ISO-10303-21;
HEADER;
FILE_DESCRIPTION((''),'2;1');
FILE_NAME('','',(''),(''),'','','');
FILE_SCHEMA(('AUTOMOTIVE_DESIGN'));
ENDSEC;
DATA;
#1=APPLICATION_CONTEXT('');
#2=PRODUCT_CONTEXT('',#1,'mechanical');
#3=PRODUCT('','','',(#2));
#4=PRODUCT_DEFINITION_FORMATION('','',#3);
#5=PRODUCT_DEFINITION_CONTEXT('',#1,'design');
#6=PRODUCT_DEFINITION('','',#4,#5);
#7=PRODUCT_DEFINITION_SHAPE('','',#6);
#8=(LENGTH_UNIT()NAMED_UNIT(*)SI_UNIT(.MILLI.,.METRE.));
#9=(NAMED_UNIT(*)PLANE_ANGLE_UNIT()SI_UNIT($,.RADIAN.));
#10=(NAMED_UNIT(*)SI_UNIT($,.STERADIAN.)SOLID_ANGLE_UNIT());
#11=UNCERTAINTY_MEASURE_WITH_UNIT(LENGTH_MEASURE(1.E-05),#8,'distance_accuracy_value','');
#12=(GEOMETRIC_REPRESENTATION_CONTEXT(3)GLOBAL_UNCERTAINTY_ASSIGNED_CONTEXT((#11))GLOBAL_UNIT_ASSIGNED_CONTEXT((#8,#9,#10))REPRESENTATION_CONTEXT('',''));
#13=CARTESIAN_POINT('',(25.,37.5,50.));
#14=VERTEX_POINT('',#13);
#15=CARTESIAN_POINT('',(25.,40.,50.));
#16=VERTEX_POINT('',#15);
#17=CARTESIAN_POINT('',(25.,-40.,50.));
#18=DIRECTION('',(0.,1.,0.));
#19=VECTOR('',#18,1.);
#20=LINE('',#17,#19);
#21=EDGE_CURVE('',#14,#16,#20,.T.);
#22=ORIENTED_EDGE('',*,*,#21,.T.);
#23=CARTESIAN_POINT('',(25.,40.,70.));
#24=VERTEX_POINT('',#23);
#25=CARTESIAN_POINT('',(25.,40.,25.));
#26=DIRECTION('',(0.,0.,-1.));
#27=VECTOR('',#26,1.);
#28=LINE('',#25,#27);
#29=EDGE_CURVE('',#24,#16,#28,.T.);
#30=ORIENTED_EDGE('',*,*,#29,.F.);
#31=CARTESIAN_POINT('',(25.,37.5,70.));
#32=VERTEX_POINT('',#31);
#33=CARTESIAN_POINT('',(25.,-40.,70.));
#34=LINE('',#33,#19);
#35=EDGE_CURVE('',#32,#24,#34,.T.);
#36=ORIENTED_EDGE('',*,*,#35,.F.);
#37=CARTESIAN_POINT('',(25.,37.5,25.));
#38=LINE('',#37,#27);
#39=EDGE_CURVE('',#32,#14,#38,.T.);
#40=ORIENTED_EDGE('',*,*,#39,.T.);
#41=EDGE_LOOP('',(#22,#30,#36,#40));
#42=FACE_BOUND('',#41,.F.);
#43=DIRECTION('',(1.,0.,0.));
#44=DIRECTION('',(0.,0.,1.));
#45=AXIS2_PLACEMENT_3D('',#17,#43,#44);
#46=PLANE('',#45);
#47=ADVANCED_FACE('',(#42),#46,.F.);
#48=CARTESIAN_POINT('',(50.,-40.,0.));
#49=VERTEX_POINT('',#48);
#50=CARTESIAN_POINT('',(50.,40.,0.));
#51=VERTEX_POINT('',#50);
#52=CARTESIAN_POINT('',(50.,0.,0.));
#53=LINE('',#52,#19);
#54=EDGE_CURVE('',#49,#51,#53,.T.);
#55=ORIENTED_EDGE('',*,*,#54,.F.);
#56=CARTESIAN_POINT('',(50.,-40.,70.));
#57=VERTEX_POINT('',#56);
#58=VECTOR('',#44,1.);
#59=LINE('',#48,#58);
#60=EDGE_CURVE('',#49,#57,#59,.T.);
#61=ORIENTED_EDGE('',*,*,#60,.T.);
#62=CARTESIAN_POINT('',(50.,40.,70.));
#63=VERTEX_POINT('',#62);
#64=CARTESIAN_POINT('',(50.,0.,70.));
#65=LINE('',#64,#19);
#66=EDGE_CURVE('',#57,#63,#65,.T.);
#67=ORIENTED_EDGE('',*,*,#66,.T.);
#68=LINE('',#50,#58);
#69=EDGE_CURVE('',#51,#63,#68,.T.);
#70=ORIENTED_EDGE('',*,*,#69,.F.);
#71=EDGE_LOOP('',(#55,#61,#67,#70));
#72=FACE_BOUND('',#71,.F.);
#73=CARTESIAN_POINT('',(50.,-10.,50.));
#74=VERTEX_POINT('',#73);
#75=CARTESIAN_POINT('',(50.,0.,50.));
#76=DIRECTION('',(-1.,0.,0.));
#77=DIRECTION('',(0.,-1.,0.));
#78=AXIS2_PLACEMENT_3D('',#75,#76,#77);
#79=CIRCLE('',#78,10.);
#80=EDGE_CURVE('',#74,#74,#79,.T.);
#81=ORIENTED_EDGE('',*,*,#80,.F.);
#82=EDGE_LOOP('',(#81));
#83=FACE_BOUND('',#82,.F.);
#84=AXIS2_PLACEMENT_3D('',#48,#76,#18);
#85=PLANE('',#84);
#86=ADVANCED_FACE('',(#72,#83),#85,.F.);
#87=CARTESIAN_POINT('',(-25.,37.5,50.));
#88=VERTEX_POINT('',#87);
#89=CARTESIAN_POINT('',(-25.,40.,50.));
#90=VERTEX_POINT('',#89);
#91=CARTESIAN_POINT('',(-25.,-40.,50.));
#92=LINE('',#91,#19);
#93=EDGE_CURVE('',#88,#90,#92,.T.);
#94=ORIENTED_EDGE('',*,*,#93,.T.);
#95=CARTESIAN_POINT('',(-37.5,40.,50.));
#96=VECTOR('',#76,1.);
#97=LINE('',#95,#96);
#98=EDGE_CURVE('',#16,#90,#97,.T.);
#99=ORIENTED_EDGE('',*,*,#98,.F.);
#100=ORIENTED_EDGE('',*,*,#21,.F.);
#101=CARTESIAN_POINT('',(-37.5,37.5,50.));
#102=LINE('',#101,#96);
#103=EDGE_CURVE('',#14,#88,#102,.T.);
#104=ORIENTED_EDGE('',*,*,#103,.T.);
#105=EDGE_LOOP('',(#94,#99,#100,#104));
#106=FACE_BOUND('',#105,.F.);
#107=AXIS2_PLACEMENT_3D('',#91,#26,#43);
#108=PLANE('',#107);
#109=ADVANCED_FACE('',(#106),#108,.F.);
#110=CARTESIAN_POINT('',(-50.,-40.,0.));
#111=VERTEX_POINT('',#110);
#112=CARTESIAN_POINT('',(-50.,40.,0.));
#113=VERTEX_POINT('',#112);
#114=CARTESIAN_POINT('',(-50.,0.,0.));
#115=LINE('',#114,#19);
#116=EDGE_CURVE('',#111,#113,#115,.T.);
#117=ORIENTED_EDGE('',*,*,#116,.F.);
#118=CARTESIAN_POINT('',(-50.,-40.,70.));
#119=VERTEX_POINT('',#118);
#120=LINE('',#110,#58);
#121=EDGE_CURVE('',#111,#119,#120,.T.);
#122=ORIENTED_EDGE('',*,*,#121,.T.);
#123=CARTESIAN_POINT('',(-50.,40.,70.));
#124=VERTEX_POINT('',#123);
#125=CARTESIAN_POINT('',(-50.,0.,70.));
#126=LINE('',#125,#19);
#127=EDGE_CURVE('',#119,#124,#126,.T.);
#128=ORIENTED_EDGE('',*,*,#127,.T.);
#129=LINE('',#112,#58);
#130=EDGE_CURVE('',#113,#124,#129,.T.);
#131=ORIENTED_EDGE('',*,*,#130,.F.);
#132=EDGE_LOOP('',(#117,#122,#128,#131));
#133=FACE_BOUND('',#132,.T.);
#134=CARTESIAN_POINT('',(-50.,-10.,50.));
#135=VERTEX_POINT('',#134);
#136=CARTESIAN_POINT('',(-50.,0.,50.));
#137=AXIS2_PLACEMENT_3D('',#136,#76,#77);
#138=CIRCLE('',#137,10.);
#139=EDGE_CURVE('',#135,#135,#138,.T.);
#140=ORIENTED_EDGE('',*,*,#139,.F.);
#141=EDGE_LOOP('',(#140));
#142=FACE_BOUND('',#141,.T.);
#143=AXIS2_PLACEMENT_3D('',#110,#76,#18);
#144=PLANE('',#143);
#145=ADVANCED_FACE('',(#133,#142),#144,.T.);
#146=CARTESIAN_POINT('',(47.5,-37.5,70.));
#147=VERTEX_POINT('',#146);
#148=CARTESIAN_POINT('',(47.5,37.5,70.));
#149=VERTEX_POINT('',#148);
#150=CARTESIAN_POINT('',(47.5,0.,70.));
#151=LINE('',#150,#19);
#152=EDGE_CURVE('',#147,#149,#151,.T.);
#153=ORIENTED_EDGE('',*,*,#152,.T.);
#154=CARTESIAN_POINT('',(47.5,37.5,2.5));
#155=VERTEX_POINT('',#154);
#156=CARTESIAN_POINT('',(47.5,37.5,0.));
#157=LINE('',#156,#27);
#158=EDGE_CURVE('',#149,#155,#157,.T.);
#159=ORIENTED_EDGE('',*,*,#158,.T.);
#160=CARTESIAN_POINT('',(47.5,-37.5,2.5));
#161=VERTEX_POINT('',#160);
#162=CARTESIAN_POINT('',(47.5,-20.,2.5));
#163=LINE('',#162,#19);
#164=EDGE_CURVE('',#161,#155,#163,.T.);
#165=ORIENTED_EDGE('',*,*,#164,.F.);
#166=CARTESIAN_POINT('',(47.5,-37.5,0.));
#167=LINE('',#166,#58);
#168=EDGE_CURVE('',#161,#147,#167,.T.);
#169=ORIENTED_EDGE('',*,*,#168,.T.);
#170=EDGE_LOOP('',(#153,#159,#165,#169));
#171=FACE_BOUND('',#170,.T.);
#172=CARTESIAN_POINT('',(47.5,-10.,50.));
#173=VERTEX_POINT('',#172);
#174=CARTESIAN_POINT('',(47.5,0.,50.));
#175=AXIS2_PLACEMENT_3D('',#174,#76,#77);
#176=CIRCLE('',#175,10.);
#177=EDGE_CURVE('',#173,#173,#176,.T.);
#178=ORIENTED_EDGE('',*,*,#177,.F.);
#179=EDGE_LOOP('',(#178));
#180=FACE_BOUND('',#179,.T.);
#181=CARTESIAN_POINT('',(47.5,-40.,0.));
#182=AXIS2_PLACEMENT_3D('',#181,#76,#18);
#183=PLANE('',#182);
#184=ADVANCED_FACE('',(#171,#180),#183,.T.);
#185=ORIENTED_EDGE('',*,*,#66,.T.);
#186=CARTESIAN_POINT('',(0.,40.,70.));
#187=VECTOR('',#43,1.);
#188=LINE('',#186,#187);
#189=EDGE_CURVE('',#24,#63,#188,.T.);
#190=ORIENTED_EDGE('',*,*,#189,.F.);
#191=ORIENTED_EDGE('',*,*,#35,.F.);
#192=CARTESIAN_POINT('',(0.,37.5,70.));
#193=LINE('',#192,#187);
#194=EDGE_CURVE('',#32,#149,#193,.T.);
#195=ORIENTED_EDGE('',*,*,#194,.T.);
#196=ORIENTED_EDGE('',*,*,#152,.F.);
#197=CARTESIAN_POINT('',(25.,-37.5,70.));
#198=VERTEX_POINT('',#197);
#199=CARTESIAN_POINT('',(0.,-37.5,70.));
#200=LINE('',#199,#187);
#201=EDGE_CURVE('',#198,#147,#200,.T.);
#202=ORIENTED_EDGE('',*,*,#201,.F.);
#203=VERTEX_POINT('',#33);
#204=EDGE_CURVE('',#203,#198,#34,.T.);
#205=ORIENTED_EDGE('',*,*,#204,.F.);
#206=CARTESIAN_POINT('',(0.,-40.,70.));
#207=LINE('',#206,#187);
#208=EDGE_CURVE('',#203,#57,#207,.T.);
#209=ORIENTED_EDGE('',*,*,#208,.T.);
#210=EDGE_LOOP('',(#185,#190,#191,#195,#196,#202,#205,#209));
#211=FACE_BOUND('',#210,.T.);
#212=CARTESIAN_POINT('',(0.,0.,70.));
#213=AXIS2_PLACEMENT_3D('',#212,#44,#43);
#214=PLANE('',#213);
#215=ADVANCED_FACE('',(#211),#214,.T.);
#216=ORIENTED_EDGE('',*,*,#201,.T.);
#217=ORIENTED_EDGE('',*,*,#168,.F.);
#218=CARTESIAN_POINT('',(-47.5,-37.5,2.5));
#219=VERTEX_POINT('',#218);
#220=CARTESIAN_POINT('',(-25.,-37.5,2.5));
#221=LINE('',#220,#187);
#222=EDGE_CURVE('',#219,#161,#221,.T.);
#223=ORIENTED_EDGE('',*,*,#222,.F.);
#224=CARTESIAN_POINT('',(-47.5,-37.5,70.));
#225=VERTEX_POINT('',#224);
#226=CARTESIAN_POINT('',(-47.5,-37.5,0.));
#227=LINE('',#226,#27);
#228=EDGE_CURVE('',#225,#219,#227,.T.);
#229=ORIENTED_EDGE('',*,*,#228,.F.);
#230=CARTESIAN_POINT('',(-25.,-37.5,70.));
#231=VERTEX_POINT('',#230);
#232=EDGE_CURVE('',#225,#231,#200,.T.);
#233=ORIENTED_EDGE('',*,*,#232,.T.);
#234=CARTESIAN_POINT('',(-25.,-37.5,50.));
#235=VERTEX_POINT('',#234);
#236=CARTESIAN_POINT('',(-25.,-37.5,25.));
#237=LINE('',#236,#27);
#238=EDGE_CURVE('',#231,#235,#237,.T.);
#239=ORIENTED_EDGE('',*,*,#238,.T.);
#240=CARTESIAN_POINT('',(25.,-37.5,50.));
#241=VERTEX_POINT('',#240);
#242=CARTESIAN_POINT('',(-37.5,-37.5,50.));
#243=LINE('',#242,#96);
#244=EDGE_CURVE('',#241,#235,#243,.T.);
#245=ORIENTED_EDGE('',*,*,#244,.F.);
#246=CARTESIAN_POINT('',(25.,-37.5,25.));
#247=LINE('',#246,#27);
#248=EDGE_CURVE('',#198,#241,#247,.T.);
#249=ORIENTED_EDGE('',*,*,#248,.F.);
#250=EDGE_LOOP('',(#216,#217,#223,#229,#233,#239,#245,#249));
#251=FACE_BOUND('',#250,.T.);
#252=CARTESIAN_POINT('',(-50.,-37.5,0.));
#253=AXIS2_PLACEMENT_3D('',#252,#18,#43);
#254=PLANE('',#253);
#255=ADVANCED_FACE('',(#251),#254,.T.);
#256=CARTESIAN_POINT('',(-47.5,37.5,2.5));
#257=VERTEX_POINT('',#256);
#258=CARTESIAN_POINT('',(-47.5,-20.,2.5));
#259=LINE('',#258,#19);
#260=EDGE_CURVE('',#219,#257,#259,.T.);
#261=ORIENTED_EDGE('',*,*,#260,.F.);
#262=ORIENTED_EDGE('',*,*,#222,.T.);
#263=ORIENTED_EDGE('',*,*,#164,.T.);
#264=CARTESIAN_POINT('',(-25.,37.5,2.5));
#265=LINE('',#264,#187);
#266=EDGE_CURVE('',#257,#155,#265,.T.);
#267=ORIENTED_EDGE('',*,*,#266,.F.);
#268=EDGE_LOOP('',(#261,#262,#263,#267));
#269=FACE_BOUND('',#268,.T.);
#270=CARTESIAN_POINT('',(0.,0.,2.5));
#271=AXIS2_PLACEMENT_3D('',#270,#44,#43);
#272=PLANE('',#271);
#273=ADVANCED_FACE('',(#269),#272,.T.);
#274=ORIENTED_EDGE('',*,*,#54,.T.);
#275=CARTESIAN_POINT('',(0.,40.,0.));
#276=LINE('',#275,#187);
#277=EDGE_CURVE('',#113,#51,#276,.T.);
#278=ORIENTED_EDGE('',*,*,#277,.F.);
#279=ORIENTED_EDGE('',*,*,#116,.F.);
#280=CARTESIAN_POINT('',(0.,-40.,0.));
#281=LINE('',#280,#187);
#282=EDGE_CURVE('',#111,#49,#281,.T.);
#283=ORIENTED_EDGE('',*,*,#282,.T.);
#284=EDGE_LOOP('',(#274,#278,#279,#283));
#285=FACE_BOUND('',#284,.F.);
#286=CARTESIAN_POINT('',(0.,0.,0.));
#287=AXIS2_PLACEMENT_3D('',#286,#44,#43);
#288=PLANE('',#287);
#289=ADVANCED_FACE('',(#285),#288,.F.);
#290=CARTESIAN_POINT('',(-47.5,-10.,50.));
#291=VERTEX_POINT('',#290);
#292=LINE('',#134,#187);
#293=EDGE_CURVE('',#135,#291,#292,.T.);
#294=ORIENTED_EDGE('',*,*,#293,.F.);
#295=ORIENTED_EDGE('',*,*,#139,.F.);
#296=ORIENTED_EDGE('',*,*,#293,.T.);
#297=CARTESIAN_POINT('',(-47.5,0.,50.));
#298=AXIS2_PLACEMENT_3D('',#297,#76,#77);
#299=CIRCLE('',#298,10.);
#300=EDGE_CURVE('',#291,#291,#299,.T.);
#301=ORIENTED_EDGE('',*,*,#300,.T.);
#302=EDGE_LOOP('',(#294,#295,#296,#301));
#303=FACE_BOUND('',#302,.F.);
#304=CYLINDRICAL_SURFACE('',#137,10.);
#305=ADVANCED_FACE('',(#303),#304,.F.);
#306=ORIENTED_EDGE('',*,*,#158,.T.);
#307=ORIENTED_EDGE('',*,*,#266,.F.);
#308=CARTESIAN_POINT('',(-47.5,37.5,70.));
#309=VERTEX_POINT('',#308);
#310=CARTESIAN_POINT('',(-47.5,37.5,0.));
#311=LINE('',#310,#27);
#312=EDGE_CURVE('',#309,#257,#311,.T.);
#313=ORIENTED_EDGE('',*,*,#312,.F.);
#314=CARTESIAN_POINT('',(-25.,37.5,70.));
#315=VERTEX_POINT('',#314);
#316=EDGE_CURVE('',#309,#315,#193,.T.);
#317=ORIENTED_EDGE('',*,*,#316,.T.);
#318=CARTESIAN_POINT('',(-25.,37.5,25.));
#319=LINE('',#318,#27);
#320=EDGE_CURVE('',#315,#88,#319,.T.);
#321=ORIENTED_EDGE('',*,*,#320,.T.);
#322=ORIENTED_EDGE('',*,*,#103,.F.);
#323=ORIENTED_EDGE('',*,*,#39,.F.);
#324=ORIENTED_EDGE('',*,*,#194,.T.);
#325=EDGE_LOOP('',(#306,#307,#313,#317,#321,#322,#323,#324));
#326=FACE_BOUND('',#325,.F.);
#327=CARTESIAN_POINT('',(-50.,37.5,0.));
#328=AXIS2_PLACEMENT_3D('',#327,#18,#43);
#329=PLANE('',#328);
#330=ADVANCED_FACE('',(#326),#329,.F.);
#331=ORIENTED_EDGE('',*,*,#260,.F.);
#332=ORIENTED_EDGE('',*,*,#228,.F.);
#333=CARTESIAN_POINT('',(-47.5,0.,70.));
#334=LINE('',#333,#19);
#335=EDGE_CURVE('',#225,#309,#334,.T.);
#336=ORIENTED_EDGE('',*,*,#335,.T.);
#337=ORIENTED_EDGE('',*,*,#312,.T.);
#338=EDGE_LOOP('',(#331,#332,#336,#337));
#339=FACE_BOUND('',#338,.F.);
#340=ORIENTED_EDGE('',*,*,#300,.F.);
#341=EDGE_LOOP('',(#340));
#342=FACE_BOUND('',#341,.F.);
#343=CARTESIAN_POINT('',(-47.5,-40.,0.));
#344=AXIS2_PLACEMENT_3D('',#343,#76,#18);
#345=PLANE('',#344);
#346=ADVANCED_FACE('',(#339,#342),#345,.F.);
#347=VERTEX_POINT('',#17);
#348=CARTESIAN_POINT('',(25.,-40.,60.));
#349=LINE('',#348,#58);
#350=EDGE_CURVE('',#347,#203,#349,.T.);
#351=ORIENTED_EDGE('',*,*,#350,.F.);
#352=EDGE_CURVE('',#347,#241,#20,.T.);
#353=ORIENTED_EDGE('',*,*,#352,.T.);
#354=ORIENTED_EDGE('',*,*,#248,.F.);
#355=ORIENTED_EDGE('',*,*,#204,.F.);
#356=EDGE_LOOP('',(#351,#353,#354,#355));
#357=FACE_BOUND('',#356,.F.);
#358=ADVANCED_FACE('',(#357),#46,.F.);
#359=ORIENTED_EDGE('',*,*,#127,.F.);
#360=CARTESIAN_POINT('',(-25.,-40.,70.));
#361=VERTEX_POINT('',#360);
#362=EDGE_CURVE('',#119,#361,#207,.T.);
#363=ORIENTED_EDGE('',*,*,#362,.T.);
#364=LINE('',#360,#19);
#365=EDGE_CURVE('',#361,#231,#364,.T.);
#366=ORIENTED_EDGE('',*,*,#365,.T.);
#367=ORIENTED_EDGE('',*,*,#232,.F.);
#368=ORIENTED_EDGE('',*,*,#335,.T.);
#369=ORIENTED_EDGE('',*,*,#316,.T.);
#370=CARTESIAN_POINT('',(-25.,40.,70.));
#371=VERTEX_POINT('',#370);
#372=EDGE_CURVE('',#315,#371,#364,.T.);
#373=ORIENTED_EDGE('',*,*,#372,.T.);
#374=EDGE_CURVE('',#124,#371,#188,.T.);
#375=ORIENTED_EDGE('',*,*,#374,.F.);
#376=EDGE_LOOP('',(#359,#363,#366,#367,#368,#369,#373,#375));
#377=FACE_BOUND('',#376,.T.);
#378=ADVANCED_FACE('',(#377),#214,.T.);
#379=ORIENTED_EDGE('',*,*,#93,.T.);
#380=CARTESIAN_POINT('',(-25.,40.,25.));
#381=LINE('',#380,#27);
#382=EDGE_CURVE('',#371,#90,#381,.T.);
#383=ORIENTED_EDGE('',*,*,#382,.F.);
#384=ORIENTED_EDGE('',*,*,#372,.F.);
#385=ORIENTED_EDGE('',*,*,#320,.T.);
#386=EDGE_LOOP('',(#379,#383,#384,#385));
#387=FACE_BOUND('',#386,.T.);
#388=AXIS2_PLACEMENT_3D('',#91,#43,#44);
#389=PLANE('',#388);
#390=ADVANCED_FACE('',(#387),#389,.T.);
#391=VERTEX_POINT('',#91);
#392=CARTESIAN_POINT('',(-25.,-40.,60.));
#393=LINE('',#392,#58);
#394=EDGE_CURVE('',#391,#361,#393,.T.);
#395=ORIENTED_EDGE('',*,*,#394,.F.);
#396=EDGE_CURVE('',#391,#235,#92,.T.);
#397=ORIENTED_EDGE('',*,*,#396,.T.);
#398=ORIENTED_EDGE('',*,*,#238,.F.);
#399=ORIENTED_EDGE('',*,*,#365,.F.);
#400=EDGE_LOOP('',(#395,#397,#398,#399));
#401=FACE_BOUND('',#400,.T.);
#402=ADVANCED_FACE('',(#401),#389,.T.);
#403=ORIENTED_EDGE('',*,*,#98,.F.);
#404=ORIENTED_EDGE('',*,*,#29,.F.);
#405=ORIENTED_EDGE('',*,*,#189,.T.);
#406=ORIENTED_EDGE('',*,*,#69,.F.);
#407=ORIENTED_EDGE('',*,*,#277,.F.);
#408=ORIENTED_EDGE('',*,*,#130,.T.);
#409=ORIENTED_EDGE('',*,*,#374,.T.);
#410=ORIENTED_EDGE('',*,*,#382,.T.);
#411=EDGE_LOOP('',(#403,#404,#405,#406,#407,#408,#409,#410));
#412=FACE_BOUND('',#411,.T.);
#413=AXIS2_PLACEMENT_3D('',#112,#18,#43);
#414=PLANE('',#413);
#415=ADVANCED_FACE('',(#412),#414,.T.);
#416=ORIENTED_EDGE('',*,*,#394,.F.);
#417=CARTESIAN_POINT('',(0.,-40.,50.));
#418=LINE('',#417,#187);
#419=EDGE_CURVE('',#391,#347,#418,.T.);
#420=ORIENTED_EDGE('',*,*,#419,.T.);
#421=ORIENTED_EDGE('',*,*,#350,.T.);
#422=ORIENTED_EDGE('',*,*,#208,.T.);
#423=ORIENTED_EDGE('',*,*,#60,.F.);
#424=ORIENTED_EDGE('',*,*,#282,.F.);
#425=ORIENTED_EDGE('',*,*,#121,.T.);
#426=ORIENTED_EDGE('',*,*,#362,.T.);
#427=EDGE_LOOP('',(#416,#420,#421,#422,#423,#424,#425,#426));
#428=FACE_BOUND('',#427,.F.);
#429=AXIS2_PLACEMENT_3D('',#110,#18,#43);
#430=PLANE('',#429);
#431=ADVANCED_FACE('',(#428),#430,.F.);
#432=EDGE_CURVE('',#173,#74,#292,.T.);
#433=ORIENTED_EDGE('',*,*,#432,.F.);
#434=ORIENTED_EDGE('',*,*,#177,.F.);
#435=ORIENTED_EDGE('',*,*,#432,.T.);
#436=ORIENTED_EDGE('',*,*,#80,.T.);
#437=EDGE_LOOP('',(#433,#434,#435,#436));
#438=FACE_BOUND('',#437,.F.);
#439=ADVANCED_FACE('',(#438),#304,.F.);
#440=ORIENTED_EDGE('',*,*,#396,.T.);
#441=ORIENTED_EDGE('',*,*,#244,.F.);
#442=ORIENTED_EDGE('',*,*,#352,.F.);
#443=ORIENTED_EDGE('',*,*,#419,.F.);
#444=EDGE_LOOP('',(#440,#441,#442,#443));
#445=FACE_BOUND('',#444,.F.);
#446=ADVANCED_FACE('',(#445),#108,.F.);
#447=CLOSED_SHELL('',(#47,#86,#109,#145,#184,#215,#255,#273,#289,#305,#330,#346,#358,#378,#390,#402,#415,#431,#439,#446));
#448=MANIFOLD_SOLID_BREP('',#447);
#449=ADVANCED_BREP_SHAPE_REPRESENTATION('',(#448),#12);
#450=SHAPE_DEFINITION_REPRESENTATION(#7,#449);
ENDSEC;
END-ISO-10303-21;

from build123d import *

# Parameters (mm, degrees)
F0_W     = 100
F0_H     = 80
F1_DEPTH = 70
F2_T     = -2.5
F3_W     = 50
F3_H     = 20
F4_DEPTH = 80.001
F5_R     = 10
F6_DEPTH = 100.001


with BuildPart() as f1:
    # F0 (on Top) → F1 (new body)
    with BuildSketch(Plane.XY):
        Rectangle(F0_W, F0_H)
    extrude(amount=F1_DEPTH)

    # F2
    f2_openings = [f1.faces().sort_by_distance(p)[0] for p in [
        (0, 0, 70),
    ]]
    offset(amount=F2_T, openings=f2_openings)

    # F3 (on face) → F4 (cut, through all)
    with BuildSketch(Plane.XZ.offset(40)):
        with Locations((0, 60)):
            Rectangle(F3_W, F3_H)
    extrude(amount=-F4_DEPTH, mode=Mode.SUBTRACT)

    # F5 (on face) → F6 (cut, through all)
    with BuildSketch(Plane(origin=(-50, 0, 0), x_dir=(0, -1, 0), z_dir=(-1, 0, 0))):
        with Locations((0, 50)):
            Circle(F5_R)
    extrude(amount=-F6_DEPTH, mode=Mode.SUBTRACT)


solid = f1.part
